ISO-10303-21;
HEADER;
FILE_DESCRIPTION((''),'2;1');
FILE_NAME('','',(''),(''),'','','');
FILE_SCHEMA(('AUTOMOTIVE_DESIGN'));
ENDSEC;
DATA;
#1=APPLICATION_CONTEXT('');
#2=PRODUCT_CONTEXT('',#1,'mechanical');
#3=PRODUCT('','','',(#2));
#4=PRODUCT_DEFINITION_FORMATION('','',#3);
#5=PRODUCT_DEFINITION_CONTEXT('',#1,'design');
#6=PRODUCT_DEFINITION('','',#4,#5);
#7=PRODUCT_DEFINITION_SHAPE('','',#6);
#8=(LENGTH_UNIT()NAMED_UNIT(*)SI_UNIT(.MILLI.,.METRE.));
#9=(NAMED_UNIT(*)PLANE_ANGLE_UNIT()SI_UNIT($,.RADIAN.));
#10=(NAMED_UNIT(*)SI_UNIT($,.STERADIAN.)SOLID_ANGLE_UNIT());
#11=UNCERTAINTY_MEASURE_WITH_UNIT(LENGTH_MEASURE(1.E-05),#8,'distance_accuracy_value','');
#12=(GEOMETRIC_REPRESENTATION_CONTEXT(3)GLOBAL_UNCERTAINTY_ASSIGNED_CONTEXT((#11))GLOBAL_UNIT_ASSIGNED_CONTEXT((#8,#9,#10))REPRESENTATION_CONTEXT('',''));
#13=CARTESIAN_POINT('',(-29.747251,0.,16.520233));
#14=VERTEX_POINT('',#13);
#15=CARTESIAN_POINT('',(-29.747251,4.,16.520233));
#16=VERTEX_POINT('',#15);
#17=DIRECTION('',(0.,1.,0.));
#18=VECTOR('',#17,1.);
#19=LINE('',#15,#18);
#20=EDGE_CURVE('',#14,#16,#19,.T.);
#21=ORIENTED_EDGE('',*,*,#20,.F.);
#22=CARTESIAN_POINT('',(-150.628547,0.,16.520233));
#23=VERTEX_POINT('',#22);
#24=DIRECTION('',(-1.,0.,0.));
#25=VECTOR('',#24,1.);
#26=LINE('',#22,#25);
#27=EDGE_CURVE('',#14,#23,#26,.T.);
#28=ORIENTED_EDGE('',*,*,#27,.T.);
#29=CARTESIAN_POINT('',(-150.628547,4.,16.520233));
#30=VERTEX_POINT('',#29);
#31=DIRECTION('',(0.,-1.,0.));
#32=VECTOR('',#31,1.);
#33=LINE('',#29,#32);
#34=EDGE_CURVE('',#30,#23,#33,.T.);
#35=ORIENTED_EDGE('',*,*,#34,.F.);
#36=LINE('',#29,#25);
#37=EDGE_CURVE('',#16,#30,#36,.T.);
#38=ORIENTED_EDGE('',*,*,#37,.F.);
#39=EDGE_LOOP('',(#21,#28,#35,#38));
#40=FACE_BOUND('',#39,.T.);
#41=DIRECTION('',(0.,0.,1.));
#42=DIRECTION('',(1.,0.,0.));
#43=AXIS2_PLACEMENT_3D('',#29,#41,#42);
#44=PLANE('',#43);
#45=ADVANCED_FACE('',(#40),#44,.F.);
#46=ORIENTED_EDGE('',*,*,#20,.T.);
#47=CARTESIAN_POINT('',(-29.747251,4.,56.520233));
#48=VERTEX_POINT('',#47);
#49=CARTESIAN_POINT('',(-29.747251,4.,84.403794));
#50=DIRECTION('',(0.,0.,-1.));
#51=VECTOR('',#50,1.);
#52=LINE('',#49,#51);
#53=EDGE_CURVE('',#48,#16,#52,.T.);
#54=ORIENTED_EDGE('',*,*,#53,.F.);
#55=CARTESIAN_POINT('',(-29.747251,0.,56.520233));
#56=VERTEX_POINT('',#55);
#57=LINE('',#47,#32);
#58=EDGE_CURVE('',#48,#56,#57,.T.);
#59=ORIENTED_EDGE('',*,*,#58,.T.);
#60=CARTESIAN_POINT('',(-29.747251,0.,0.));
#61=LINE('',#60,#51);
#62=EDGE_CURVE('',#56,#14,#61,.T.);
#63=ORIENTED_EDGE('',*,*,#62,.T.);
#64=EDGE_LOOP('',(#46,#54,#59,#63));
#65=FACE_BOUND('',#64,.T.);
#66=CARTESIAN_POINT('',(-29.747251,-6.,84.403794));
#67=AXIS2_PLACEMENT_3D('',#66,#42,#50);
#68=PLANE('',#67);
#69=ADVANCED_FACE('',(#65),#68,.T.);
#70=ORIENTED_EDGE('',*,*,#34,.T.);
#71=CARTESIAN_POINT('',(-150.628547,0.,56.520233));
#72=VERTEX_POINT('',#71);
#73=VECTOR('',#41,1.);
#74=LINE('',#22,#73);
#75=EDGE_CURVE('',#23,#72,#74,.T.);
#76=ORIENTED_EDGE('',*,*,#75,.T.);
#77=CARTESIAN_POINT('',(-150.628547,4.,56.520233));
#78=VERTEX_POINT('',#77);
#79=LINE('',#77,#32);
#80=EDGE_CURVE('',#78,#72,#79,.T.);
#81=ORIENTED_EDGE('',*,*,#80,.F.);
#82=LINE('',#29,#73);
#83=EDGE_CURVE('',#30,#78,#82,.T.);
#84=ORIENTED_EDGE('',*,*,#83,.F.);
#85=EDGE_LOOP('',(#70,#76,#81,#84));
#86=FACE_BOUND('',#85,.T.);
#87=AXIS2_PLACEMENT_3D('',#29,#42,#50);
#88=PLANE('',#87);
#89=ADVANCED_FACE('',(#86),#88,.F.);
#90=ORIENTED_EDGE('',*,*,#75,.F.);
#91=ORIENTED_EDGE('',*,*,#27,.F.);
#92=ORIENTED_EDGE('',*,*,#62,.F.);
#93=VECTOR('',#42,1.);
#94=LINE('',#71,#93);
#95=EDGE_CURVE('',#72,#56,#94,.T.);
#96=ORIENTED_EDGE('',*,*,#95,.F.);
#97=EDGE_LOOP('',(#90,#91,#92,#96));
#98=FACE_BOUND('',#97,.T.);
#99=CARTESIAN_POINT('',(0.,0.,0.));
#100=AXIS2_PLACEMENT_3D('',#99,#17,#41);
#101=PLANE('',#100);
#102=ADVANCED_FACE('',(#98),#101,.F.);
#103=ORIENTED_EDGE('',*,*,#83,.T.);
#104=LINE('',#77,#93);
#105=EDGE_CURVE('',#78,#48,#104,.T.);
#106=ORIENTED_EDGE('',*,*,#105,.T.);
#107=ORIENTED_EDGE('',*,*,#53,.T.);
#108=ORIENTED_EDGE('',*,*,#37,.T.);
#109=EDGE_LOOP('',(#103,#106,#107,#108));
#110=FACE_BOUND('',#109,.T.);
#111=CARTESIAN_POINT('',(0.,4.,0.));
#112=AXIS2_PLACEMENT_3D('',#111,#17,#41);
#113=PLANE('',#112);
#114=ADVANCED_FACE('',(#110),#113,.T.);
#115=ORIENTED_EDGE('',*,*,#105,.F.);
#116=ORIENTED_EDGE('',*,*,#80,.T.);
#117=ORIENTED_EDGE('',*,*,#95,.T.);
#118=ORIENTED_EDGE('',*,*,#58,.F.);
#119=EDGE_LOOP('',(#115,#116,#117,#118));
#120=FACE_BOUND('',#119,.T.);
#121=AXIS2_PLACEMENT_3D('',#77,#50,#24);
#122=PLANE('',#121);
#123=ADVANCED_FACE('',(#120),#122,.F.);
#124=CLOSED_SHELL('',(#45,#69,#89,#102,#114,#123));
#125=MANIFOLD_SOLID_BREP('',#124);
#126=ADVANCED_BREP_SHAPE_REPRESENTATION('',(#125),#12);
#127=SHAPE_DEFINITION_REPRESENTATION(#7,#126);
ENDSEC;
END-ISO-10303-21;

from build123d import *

# Parameters (mm, degrees)
SKETCH1_W           = 250
SKETCH1_H           = 40
BOSS_EXTRUDE1_DEPTH = 4
SKETCH3_W           = 133.971028747
SKETCH3_H           = 79.30195032
CUT_EXTRUDE2_DEPTH  = 10


with BuildPart() as part:
    # Sketch1 → Boss-Extrude1 (new body)
    with BuildSketch(Plane(origin=(0, 0, 0), x_dir=(1, 0, 0), z_dir=(0, 1, 0))):
        with Locations((-25.628547234, -36.520233304)):
            Rectangle(SKETCH1_W, SKETCH1_H)
    extrude(amount=BOSS_EXTRUDE1_DEPTH)

    # Sketch3 → Cut-Extrude2 (cut)
    with BuildSketch(Plane(origin=(0, 4, 0), x_dir=(1, 0, 0), z_dir=(0, 1, 0))):
        with Locations((37.238263367, -44.752818728)):
            Rectangle(SKETCH3_W, SKETCH3_H)
    extrude(amount=-CUT_EXTRUDE2_DEPTH, mode=Mode.SUBTRACT)


solid = part.part
